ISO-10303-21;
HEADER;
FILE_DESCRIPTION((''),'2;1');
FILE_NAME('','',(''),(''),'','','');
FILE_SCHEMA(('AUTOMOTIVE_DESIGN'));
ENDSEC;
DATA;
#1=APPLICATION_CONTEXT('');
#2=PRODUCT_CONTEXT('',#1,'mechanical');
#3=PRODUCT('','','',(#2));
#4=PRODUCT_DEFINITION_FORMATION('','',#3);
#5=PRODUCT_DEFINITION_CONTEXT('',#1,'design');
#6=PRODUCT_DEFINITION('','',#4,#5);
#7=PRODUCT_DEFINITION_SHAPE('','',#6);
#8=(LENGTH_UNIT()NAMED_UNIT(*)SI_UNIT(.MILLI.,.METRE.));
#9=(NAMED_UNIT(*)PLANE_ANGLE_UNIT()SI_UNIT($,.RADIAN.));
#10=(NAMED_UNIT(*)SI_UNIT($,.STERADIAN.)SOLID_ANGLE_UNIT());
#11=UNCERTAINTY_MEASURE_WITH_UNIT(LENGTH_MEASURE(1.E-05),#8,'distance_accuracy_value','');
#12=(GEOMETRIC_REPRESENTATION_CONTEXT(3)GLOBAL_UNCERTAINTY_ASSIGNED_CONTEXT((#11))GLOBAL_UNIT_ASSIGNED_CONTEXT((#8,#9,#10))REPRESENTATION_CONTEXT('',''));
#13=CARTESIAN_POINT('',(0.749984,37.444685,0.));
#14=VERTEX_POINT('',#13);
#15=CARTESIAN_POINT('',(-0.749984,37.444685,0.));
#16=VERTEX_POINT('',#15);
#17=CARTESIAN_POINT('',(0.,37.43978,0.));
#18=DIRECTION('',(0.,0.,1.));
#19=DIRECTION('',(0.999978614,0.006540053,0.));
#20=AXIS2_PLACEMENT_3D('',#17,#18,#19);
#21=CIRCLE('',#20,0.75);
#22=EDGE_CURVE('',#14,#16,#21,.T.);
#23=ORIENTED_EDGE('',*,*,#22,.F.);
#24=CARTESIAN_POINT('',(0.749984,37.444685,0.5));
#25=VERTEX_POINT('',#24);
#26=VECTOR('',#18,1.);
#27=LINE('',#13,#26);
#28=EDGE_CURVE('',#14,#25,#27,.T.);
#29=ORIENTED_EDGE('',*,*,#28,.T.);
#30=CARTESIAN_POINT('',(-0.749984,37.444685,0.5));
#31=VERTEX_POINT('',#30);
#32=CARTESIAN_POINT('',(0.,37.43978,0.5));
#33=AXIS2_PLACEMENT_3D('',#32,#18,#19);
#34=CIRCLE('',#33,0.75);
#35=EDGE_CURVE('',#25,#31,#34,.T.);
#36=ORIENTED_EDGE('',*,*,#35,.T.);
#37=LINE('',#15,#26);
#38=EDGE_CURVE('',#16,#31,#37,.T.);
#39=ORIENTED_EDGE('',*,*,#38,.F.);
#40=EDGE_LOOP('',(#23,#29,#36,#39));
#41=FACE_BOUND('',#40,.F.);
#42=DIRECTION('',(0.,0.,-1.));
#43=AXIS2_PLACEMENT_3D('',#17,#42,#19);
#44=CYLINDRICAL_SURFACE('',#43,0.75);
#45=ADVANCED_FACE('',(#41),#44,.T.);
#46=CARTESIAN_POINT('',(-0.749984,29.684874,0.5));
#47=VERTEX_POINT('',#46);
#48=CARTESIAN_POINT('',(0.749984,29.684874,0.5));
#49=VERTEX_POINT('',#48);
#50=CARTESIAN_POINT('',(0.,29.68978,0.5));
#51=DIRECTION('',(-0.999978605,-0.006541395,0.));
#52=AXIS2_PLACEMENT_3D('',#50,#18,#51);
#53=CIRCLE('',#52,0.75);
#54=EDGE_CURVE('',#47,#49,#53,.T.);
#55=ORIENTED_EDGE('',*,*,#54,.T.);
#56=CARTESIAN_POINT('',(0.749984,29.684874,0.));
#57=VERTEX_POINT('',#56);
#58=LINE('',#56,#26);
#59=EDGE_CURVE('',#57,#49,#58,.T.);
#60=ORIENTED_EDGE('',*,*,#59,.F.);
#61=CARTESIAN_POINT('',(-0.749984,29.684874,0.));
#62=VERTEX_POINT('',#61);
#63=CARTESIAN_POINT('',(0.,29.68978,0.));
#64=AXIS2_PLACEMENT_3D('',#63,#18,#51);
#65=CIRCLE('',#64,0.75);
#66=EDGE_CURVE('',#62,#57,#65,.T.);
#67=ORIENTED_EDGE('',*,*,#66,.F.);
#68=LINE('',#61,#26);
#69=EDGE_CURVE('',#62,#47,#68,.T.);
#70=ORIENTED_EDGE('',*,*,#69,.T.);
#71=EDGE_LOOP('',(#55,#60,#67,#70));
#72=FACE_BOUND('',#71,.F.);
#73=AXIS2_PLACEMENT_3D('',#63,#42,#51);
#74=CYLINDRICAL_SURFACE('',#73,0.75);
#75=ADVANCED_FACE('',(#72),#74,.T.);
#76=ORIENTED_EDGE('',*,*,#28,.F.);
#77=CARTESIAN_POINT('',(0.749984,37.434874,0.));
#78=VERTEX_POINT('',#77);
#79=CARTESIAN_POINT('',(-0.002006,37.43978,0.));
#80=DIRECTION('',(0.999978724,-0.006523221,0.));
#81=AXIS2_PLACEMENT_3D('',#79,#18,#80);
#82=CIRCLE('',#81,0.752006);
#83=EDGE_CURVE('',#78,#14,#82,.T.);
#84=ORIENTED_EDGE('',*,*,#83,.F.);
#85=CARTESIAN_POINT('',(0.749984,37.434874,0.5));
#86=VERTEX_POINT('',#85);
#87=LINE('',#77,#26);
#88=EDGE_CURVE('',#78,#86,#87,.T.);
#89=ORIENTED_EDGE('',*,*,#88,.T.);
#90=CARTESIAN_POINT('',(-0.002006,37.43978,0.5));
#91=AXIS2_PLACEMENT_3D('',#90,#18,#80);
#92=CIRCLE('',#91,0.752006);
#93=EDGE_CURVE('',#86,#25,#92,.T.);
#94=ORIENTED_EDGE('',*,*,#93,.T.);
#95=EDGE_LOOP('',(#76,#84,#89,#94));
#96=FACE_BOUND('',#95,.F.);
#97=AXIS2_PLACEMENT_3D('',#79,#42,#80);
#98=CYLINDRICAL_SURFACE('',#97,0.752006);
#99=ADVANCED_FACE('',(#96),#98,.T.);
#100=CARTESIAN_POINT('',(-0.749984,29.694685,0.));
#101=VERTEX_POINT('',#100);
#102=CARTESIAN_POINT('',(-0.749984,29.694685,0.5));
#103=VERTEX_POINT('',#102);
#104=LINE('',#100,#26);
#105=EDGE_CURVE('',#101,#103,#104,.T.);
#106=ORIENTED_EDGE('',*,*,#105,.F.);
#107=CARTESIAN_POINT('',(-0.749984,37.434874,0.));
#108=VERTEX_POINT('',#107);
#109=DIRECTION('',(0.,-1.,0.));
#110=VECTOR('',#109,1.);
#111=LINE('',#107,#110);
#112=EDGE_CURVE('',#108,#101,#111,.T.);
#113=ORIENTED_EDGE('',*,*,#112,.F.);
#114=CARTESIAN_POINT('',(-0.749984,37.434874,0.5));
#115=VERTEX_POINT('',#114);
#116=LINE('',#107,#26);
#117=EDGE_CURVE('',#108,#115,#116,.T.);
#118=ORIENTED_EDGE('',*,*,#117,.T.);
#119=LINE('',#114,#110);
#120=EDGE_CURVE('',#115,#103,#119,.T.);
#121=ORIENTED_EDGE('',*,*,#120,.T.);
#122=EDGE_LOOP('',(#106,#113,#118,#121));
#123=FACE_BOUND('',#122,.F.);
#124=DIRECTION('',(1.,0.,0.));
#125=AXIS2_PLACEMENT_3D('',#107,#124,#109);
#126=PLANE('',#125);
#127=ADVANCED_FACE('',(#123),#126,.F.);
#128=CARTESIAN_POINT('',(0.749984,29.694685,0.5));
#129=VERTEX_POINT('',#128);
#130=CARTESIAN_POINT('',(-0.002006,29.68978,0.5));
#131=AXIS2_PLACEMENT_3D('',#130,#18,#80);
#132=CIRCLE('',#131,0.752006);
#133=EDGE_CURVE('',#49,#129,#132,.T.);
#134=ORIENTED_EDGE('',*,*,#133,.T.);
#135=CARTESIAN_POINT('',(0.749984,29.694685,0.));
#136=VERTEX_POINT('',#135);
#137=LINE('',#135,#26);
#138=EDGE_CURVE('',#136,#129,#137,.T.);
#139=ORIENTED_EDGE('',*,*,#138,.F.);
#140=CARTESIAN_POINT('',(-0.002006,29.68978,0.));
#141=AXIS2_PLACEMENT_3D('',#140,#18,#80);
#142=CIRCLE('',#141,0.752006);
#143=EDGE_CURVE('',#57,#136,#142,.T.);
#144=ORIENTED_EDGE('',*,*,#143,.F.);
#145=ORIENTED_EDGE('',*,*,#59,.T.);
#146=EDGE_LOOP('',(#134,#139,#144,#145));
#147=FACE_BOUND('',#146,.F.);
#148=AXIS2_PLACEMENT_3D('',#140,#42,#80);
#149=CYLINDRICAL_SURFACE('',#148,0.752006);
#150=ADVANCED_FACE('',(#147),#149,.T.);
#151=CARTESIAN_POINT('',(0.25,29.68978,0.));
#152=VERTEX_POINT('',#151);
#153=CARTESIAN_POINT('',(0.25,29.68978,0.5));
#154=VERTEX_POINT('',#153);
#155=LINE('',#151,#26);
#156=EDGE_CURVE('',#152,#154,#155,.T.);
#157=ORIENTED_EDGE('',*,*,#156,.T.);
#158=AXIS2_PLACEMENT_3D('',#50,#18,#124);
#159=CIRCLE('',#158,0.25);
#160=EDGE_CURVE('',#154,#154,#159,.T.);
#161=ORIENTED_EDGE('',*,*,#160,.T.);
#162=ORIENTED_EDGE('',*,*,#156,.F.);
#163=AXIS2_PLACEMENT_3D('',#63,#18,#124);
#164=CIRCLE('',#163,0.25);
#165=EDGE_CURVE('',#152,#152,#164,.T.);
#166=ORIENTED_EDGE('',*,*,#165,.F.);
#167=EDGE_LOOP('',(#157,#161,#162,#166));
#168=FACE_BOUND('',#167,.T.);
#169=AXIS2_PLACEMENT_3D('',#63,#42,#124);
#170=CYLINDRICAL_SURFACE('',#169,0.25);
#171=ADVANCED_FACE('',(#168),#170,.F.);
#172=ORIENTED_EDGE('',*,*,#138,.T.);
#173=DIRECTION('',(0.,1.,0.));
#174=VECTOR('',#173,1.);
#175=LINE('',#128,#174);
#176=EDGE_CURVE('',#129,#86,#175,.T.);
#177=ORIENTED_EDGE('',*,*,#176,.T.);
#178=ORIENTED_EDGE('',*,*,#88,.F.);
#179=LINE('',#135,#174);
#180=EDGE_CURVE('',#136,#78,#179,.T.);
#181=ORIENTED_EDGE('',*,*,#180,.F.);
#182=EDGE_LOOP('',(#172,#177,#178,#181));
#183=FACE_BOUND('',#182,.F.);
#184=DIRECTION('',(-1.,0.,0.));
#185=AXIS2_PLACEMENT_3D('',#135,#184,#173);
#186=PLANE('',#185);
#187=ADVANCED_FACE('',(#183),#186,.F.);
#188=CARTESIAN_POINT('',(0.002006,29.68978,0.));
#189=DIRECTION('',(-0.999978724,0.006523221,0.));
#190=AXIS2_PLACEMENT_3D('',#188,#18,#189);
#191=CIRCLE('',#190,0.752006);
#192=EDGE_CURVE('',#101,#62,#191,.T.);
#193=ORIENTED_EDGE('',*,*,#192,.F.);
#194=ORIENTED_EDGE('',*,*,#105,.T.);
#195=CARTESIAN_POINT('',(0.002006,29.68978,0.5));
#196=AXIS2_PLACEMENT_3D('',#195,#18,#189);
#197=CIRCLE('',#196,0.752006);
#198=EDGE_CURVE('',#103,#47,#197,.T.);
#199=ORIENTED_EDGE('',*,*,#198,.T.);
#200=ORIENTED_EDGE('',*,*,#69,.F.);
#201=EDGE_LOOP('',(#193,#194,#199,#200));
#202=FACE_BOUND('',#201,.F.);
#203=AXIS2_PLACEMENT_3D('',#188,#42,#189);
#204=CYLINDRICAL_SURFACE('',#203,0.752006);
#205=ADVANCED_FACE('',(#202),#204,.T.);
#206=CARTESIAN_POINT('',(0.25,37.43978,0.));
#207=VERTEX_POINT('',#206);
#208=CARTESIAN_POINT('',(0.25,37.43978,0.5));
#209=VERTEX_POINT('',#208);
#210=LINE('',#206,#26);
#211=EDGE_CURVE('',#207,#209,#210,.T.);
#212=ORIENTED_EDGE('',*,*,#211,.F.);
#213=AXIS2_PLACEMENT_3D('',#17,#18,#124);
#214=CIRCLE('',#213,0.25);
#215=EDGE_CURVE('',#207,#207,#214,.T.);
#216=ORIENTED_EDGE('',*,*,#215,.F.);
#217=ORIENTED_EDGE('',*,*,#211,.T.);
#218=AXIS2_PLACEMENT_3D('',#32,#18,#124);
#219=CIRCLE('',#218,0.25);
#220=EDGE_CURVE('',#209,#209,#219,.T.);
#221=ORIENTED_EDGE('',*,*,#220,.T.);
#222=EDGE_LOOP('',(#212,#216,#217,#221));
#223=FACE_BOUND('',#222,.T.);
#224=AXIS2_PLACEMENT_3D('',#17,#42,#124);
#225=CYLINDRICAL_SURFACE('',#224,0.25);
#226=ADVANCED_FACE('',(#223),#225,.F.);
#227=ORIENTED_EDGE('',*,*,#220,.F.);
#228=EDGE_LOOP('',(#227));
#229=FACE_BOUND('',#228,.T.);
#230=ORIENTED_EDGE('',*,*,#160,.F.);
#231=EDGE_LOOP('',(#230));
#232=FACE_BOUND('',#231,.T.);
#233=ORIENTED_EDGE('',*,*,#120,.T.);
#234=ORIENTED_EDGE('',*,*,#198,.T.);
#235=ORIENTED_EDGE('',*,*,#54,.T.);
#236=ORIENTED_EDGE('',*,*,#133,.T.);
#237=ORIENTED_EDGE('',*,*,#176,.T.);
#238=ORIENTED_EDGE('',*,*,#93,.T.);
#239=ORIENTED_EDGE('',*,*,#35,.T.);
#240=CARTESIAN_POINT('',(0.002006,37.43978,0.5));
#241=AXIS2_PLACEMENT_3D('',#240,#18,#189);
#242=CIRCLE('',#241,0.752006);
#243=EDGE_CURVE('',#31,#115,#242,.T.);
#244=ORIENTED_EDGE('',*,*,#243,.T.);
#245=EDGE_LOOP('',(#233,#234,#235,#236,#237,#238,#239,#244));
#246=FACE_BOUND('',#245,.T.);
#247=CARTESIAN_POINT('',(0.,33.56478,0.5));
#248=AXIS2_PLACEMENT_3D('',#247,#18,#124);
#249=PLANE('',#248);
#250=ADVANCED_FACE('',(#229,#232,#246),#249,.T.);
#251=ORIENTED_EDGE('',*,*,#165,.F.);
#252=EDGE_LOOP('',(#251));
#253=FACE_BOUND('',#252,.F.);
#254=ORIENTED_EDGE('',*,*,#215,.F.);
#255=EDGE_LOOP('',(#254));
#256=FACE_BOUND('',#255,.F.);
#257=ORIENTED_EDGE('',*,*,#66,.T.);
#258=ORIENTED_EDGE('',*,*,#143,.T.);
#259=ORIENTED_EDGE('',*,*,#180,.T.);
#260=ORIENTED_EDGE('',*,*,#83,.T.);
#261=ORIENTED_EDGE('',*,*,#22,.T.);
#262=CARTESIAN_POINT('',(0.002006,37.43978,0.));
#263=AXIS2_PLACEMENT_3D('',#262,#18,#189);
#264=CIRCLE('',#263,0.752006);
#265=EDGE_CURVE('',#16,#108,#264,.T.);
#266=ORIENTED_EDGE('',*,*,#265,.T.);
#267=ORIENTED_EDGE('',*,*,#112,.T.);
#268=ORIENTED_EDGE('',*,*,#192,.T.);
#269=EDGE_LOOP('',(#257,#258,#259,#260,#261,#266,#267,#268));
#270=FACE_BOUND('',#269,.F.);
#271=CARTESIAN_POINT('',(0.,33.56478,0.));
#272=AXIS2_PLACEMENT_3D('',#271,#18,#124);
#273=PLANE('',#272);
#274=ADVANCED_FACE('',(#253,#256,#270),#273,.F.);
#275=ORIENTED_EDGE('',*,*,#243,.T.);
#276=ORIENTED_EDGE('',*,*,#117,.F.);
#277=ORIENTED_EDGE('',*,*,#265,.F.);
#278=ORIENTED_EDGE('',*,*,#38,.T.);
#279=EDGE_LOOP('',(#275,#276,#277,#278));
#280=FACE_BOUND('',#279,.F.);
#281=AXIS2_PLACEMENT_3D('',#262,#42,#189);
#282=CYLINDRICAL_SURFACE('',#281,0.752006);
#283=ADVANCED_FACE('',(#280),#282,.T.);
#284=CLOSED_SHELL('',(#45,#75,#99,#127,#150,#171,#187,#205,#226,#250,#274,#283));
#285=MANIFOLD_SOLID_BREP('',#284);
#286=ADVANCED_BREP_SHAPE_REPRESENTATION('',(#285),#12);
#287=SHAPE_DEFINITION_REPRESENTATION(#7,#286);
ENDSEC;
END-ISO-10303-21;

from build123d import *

# Parameters (mm, degrees)
F0_R     = 0.25
F1_DEPTH = 0.5


with BuildPart() as f1:
    # F0 (on Top) → F1 (new body)
    with BuildSketch(Plane.XY):
        with BuildLine():
            Line((0.749984, 29.694685), (0.749984, 37.434874))
            ThreePointArc((0.749984, 37.434874), (0.75, 37.43978), (0.749984, 37.444685))
            ThreePointArc((0.749984, 37.444685), (0, 38.18978), (-0.749984, 37.444685))
            ThreePointArc((-0.749984, 37.444685), (-0.75, 37.43978), (-0.749984, 37.434874))
            Line((-0.749984, 37.434874), (-0.749984, 29.694685))
            ThreePointArc((-0.749984, 29.694685), (-0.75, 29.68978), (-0.749984, 29.684874))
            ThreePointArc((-0.749984, 29.684874), (0, 28.93978), (0.749984, 29.684874))
            ThreePointArc((0.749984, 29.684874), (0.75, 29.68978), (0.749984, 29.694685))
        make_face()
        with Locations((0, 29.68978)):
            Circle(F0_R, mode=Mode.SUBTRACT)
        with Locations((0, 37.43978)):
            Circle(F0_R, mode=Mode.SUBTRACT)
    extrude(amount=F1_DEPTH)


solid = f1.part
